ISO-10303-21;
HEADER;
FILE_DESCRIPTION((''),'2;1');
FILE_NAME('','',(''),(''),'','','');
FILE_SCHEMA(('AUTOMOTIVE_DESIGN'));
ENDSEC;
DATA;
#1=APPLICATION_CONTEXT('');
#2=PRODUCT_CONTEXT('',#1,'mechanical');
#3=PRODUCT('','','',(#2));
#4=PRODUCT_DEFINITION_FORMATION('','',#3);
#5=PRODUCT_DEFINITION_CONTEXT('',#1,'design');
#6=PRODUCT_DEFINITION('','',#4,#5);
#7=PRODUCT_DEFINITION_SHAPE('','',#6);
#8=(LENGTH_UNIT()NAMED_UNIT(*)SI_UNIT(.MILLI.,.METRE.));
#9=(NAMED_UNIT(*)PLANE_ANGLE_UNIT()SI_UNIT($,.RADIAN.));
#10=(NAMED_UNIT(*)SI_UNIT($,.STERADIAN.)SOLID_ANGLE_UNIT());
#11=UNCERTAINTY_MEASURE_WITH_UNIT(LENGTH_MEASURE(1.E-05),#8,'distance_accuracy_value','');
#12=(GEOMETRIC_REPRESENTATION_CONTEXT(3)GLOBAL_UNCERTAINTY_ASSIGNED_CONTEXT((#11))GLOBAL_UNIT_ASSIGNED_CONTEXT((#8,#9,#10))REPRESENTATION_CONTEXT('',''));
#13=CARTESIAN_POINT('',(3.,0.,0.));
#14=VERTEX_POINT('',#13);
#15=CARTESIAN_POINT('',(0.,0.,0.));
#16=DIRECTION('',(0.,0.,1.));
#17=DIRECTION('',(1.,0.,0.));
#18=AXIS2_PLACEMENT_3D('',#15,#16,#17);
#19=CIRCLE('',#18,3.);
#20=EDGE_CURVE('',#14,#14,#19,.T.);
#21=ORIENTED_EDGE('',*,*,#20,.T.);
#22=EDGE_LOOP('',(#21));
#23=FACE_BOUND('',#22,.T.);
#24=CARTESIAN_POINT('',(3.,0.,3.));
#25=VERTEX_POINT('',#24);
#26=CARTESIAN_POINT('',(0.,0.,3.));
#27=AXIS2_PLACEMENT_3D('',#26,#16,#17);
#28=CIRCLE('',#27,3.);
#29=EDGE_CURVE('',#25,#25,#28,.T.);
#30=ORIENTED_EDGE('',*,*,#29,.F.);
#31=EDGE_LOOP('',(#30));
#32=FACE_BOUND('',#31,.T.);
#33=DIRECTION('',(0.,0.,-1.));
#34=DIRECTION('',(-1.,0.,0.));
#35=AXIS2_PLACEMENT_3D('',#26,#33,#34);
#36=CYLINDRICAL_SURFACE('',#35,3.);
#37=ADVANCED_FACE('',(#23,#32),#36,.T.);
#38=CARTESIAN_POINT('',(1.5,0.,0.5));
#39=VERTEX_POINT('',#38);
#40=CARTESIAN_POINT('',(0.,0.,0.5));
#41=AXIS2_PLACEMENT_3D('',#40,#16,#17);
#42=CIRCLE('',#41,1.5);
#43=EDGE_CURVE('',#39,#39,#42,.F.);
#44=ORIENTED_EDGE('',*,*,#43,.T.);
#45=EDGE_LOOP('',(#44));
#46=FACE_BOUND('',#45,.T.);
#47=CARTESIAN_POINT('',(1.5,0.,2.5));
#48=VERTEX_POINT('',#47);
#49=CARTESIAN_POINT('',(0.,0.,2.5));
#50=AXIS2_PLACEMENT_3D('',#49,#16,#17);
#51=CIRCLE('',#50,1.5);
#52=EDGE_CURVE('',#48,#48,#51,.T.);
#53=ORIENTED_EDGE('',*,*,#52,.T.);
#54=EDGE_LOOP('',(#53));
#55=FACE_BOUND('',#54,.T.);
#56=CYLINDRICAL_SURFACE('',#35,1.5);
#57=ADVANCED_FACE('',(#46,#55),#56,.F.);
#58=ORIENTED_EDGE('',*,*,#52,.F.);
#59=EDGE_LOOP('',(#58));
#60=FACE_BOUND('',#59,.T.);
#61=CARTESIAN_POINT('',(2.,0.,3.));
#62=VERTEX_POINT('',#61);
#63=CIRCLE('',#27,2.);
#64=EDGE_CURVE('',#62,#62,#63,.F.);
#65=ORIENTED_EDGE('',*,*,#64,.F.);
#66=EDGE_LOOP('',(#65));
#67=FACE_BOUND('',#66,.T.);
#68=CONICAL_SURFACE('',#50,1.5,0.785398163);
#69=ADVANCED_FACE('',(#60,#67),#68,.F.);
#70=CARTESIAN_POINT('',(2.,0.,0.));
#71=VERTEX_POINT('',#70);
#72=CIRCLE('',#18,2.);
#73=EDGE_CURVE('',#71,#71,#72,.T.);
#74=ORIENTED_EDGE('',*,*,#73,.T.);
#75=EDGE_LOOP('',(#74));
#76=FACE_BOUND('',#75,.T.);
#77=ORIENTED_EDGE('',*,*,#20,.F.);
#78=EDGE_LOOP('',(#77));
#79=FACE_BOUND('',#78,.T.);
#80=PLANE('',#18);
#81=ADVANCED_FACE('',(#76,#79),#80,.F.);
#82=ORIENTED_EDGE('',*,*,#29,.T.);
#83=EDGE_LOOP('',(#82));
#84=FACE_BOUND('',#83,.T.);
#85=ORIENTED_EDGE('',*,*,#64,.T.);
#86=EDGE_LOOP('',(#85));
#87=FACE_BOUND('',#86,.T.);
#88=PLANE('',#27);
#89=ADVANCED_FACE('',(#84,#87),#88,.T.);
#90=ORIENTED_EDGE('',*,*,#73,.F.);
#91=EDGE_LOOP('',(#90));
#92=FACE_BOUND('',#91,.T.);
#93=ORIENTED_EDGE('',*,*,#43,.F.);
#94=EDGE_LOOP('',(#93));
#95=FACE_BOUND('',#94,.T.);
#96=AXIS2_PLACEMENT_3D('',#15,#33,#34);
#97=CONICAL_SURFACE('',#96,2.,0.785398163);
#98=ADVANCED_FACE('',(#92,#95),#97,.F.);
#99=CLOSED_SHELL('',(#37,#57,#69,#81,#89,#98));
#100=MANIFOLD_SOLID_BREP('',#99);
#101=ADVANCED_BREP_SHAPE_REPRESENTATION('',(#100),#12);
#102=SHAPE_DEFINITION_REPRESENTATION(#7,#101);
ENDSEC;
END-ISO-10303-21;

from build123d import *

# Parameters (mm, degrees)
SCHIZZO1_R                   = 3
SCHIZZO1_R_2                 = 1.5
ESTRUSIONE_ESTRUSIONE1_DEPTH = 3
SMUSSO1_SIZE                 = 0.5
CHAMFER1_SIZE                = 0.5


with BuildPart() as part:
    # Schizzo1 → Estrusione-Estrusione1 (new body)
    with BuildSketch(Plane.XY):
        Circle(SCHIZZO1_R)
        Circle(SCHIZZO1_R_2, mode=Mode.SUBTRACT)
    extrude(amount=ESTRUSIONE_ESTRUSIONE1_DEPTH)

    # Smusso1
    smusso1_edges = [part.edges().sort_by_distance(p)[0] for p in [
        (-1.5, 0, 3),
    ]]
    chamfer(smusso1_edges, length=SMUSSO1_SIZE)

    # Chamfer1
    chamfer1_edges = [part.edges().sort_by_distance(p)[0] for p in [
        (-1.5, 0, 0),
    ]]
    chamfer(chamfer1_edges, length=CHAMFER1_SIZE)


solid = part.part
